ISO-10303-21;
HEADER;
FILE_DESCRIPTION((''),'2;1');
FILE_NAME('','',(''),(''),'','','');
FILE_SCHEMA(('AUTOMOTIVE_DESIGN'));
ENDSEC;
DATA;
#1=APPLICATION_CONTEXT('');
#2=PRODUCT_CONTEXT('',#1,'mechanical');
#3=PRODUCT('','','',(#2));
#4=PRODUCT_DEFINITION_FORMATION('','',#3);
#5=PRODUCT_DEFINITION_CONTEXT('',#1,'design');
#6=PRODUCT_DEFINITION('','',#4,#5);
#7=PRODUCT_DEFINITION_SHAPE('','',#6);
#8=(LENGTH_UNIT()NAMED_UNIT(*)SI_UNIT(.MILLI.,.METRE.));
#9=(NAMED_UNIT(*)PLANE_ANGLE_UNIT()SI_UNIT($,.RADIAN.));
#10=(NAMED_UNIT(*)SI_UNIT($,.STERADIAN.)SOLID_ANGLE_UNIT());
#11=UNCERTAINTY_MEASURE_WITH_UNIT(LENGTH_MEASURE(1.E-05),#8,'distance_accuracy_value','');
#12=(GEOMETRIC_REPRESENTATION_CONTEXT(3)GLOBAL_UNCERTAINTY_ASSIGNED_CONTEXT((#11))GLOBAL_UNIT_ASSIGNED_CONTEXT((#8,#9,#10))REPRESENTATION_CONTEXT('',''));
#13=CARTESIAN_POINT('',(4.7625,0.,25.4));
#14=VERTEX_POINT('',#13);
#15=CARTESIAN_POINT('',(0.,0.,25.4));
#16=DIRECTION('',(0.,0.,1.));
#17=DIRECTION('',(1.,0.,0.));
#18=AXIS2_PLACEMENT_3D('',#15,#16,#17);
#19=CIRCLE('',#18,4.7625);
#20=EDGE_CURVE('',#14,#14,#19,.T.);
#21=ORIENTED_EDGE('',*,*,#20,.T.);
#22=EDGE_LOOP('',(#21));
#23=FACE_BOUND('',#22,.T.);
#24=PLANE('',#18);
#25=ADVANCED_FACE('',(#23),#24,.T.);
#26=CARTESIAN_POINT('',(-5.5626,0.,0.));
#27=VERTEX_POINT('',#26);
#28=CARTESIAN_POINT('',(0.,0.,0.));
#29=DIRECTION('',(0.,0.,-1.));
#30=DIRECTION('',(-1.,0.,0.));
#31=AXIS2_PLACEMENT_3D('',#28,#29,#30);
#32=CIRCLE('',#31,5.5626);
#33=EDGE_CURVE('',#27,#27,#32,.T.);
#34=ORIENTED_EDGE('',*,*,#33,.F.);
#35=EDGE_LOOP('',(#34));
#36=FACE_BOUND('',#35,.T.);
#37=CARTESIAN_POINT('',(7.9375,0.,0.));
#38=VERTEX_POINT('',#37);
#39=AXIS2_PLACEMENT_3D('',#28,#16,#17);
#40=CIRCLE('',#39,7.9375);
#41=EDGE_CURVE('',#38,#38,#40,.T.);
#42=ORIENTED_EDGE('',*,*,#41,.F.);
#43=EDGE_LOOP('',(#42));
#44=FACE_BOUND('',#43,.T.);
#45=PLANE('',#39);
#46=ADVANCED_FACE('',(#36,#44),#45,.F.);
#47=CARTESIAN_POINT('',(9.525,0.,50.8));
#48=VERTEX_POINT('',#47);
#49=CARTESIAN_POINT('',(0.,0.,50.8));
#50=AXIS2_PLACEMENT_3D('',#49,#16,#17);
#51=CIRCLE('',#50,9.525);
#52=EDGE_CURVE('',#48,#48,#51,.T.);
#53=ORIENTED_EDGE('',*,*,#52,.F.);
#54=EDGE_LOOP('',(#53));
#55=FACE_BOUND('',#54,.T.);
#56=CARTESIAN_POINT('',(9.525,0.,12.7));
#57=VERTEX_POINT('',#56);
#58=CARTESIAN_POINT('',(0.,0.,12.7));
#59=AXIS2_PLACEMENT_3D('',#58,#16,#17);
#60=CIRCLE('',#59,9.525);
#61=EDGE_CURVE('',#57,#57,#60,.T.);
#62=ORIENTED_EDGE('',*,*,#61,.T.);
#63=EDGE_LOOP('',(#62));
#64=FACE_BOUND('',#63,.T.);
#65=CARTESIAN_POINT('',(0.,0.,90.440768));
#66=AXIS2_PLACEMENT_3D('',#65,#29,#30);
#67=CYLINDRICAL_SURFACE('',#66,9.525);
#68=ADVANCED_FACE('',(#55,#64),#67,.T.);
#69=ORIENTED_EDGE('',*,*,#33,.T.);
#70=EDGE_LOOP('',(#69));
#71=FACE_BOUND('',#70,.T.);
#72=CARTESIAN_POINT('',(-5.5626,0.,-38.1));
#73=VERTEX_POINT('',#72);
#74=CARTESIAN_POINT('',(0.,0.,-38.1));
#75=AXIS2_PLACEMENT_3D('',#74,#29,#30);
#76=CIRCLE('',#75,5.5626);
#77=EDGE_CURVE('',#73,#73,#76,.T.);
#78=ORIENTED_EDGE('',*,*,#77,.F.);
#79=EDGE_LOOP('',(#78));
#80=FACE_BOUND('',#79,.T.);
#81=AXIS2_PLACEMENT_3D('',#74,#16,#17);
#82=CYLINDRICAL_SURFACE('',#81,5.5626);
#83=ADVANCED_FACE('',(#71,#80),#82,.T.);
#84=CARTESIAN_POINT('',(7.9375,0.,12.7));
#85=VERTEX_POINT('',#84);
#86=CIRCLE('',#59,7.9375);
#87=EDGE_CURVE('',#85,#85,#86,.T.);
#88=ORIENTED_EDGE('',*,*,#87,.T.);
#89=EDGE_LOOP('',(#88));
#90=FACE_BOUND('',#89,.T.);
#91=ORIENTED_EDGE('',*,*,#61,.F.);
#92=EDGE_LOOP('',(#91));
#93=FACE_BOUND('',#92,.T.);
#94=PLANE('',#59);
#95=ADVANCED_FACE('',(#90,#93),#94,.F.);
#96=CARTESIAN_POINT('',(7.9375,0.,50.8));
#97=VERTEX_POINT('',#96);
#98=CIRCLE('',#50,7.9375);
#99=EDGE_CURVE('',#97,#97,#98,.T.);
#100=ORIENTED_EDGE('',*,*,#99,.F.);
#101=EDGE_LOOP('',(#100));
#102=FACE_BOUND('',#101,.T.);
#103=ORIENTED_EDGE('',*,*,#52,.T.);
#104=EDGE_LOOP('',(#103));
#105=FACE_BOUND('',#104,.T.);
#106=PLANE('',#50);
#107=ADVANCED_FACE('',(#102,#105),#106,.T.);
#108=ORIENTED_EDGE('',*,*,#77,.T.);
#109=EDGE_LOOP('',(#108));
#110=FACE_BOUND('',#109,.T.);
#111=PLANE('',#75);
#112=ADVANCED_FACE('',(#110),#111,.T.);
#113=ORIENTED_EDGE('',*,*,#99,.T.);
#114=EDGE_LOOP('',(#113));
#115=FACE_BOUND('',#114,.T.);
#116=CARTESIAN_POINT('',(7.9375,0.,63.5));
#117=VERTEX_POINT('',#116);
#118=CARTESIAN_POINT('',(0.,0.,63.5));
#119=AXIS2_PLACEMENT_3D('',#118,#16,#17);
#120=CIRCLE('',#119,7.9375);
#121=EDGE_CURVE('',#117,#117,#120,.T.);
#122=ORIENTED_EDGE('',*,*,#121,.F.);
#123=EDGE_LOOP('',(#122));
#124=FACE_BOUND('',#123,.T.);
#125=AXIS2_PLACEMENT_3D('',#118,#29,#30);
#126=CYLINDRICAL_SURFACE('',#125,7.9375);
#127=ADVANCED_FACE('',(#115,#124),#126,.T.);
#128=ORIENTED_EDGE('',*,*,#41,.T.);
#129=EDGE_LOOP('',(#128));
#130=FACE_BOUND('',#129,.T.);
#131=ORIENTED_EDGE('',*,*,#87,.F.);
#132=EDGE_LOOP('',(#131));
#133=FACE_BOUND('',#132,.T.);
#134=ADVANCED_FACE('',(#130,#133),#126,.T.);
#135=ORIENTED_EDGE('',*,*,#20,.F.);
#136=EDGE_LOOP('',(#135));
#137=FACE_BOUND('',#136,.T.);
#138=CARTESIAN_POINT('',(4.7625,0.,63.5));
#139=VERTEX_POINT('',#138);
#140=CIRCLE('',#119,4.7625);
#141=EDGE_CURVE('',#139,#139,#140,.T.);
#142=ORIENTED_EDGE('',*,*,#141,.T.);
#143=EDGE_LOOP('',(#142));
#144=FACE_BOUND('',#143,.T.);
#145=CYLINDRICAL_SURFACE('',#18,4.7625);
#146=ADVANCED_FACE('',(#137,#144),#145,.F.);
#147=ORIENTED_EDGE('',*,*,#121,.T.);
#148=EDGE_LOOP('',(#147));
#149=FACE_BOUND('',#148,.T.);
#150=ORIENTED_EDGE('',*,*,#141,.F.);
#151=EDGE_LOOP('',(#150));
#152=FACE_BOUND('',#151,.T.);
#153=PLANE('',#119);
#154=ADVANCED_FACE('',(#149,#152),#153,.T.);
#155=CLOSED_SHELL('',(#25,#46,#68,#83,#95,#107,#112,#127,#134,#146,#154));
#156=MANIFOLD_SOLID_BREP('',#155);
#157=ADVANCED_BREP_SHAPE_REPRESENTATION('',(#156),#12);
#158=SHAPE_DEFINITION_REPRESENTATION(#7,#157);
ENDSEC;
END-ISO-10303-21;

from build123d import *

# Parameters (mm, degrees)
SKETCH1_R           = 7.9375
BOSS_EXTRUDE1_DEPTH = 63.5
SKETCH4_R           = 5.5626
BOSS_EXTRUDE2_DEPTH = 38.1
SKETCH6_R           = 9.525
BOSS_EXTRUDE4_DEPTH = 38.1
SKETCH3_R           = 4.7625
CUT_EXTRUDE2_DEPTH  = 38.1


with BuildPart() as part:
    # Sketch1 → Boss-Extrude1 (new body)
    with BuildSketch(Plane.XY):
        Circle(SKETCH1_R)
    extrude(amount=BOSS_EXTRUDE1_DEPTH)

    # Sketch4 → Boss-Extrude2 (add)
    with BuildSketch(Plane(origin=(0, 0, 0), x_dir=(-1, 0, 0), z_dir=(0, 0, -1))):
        Circle(SKETCH4_R)
    extrude(amount=BOSS_EXTRUDE2_DEPTH)

    # Sketch6 → Boss-Extrude4 (add)
    with BuildSketch(Plane.XY.offset(12.7)):
        Circle(SKETCH6_R)
    extrude(amount=BOSS_EXTRUDE4_DEPTH)

    # Sketch3 → Cut-Extrude2 (cut)
    with BuildSketch(Plane.XY.offset(63.5)):
        Circle(SKETCH3_R)
    extrude(amount=-CUT_EXTRUDE2_DEPTH, mode=Mode.SUBTRACT)


solid = part.part
